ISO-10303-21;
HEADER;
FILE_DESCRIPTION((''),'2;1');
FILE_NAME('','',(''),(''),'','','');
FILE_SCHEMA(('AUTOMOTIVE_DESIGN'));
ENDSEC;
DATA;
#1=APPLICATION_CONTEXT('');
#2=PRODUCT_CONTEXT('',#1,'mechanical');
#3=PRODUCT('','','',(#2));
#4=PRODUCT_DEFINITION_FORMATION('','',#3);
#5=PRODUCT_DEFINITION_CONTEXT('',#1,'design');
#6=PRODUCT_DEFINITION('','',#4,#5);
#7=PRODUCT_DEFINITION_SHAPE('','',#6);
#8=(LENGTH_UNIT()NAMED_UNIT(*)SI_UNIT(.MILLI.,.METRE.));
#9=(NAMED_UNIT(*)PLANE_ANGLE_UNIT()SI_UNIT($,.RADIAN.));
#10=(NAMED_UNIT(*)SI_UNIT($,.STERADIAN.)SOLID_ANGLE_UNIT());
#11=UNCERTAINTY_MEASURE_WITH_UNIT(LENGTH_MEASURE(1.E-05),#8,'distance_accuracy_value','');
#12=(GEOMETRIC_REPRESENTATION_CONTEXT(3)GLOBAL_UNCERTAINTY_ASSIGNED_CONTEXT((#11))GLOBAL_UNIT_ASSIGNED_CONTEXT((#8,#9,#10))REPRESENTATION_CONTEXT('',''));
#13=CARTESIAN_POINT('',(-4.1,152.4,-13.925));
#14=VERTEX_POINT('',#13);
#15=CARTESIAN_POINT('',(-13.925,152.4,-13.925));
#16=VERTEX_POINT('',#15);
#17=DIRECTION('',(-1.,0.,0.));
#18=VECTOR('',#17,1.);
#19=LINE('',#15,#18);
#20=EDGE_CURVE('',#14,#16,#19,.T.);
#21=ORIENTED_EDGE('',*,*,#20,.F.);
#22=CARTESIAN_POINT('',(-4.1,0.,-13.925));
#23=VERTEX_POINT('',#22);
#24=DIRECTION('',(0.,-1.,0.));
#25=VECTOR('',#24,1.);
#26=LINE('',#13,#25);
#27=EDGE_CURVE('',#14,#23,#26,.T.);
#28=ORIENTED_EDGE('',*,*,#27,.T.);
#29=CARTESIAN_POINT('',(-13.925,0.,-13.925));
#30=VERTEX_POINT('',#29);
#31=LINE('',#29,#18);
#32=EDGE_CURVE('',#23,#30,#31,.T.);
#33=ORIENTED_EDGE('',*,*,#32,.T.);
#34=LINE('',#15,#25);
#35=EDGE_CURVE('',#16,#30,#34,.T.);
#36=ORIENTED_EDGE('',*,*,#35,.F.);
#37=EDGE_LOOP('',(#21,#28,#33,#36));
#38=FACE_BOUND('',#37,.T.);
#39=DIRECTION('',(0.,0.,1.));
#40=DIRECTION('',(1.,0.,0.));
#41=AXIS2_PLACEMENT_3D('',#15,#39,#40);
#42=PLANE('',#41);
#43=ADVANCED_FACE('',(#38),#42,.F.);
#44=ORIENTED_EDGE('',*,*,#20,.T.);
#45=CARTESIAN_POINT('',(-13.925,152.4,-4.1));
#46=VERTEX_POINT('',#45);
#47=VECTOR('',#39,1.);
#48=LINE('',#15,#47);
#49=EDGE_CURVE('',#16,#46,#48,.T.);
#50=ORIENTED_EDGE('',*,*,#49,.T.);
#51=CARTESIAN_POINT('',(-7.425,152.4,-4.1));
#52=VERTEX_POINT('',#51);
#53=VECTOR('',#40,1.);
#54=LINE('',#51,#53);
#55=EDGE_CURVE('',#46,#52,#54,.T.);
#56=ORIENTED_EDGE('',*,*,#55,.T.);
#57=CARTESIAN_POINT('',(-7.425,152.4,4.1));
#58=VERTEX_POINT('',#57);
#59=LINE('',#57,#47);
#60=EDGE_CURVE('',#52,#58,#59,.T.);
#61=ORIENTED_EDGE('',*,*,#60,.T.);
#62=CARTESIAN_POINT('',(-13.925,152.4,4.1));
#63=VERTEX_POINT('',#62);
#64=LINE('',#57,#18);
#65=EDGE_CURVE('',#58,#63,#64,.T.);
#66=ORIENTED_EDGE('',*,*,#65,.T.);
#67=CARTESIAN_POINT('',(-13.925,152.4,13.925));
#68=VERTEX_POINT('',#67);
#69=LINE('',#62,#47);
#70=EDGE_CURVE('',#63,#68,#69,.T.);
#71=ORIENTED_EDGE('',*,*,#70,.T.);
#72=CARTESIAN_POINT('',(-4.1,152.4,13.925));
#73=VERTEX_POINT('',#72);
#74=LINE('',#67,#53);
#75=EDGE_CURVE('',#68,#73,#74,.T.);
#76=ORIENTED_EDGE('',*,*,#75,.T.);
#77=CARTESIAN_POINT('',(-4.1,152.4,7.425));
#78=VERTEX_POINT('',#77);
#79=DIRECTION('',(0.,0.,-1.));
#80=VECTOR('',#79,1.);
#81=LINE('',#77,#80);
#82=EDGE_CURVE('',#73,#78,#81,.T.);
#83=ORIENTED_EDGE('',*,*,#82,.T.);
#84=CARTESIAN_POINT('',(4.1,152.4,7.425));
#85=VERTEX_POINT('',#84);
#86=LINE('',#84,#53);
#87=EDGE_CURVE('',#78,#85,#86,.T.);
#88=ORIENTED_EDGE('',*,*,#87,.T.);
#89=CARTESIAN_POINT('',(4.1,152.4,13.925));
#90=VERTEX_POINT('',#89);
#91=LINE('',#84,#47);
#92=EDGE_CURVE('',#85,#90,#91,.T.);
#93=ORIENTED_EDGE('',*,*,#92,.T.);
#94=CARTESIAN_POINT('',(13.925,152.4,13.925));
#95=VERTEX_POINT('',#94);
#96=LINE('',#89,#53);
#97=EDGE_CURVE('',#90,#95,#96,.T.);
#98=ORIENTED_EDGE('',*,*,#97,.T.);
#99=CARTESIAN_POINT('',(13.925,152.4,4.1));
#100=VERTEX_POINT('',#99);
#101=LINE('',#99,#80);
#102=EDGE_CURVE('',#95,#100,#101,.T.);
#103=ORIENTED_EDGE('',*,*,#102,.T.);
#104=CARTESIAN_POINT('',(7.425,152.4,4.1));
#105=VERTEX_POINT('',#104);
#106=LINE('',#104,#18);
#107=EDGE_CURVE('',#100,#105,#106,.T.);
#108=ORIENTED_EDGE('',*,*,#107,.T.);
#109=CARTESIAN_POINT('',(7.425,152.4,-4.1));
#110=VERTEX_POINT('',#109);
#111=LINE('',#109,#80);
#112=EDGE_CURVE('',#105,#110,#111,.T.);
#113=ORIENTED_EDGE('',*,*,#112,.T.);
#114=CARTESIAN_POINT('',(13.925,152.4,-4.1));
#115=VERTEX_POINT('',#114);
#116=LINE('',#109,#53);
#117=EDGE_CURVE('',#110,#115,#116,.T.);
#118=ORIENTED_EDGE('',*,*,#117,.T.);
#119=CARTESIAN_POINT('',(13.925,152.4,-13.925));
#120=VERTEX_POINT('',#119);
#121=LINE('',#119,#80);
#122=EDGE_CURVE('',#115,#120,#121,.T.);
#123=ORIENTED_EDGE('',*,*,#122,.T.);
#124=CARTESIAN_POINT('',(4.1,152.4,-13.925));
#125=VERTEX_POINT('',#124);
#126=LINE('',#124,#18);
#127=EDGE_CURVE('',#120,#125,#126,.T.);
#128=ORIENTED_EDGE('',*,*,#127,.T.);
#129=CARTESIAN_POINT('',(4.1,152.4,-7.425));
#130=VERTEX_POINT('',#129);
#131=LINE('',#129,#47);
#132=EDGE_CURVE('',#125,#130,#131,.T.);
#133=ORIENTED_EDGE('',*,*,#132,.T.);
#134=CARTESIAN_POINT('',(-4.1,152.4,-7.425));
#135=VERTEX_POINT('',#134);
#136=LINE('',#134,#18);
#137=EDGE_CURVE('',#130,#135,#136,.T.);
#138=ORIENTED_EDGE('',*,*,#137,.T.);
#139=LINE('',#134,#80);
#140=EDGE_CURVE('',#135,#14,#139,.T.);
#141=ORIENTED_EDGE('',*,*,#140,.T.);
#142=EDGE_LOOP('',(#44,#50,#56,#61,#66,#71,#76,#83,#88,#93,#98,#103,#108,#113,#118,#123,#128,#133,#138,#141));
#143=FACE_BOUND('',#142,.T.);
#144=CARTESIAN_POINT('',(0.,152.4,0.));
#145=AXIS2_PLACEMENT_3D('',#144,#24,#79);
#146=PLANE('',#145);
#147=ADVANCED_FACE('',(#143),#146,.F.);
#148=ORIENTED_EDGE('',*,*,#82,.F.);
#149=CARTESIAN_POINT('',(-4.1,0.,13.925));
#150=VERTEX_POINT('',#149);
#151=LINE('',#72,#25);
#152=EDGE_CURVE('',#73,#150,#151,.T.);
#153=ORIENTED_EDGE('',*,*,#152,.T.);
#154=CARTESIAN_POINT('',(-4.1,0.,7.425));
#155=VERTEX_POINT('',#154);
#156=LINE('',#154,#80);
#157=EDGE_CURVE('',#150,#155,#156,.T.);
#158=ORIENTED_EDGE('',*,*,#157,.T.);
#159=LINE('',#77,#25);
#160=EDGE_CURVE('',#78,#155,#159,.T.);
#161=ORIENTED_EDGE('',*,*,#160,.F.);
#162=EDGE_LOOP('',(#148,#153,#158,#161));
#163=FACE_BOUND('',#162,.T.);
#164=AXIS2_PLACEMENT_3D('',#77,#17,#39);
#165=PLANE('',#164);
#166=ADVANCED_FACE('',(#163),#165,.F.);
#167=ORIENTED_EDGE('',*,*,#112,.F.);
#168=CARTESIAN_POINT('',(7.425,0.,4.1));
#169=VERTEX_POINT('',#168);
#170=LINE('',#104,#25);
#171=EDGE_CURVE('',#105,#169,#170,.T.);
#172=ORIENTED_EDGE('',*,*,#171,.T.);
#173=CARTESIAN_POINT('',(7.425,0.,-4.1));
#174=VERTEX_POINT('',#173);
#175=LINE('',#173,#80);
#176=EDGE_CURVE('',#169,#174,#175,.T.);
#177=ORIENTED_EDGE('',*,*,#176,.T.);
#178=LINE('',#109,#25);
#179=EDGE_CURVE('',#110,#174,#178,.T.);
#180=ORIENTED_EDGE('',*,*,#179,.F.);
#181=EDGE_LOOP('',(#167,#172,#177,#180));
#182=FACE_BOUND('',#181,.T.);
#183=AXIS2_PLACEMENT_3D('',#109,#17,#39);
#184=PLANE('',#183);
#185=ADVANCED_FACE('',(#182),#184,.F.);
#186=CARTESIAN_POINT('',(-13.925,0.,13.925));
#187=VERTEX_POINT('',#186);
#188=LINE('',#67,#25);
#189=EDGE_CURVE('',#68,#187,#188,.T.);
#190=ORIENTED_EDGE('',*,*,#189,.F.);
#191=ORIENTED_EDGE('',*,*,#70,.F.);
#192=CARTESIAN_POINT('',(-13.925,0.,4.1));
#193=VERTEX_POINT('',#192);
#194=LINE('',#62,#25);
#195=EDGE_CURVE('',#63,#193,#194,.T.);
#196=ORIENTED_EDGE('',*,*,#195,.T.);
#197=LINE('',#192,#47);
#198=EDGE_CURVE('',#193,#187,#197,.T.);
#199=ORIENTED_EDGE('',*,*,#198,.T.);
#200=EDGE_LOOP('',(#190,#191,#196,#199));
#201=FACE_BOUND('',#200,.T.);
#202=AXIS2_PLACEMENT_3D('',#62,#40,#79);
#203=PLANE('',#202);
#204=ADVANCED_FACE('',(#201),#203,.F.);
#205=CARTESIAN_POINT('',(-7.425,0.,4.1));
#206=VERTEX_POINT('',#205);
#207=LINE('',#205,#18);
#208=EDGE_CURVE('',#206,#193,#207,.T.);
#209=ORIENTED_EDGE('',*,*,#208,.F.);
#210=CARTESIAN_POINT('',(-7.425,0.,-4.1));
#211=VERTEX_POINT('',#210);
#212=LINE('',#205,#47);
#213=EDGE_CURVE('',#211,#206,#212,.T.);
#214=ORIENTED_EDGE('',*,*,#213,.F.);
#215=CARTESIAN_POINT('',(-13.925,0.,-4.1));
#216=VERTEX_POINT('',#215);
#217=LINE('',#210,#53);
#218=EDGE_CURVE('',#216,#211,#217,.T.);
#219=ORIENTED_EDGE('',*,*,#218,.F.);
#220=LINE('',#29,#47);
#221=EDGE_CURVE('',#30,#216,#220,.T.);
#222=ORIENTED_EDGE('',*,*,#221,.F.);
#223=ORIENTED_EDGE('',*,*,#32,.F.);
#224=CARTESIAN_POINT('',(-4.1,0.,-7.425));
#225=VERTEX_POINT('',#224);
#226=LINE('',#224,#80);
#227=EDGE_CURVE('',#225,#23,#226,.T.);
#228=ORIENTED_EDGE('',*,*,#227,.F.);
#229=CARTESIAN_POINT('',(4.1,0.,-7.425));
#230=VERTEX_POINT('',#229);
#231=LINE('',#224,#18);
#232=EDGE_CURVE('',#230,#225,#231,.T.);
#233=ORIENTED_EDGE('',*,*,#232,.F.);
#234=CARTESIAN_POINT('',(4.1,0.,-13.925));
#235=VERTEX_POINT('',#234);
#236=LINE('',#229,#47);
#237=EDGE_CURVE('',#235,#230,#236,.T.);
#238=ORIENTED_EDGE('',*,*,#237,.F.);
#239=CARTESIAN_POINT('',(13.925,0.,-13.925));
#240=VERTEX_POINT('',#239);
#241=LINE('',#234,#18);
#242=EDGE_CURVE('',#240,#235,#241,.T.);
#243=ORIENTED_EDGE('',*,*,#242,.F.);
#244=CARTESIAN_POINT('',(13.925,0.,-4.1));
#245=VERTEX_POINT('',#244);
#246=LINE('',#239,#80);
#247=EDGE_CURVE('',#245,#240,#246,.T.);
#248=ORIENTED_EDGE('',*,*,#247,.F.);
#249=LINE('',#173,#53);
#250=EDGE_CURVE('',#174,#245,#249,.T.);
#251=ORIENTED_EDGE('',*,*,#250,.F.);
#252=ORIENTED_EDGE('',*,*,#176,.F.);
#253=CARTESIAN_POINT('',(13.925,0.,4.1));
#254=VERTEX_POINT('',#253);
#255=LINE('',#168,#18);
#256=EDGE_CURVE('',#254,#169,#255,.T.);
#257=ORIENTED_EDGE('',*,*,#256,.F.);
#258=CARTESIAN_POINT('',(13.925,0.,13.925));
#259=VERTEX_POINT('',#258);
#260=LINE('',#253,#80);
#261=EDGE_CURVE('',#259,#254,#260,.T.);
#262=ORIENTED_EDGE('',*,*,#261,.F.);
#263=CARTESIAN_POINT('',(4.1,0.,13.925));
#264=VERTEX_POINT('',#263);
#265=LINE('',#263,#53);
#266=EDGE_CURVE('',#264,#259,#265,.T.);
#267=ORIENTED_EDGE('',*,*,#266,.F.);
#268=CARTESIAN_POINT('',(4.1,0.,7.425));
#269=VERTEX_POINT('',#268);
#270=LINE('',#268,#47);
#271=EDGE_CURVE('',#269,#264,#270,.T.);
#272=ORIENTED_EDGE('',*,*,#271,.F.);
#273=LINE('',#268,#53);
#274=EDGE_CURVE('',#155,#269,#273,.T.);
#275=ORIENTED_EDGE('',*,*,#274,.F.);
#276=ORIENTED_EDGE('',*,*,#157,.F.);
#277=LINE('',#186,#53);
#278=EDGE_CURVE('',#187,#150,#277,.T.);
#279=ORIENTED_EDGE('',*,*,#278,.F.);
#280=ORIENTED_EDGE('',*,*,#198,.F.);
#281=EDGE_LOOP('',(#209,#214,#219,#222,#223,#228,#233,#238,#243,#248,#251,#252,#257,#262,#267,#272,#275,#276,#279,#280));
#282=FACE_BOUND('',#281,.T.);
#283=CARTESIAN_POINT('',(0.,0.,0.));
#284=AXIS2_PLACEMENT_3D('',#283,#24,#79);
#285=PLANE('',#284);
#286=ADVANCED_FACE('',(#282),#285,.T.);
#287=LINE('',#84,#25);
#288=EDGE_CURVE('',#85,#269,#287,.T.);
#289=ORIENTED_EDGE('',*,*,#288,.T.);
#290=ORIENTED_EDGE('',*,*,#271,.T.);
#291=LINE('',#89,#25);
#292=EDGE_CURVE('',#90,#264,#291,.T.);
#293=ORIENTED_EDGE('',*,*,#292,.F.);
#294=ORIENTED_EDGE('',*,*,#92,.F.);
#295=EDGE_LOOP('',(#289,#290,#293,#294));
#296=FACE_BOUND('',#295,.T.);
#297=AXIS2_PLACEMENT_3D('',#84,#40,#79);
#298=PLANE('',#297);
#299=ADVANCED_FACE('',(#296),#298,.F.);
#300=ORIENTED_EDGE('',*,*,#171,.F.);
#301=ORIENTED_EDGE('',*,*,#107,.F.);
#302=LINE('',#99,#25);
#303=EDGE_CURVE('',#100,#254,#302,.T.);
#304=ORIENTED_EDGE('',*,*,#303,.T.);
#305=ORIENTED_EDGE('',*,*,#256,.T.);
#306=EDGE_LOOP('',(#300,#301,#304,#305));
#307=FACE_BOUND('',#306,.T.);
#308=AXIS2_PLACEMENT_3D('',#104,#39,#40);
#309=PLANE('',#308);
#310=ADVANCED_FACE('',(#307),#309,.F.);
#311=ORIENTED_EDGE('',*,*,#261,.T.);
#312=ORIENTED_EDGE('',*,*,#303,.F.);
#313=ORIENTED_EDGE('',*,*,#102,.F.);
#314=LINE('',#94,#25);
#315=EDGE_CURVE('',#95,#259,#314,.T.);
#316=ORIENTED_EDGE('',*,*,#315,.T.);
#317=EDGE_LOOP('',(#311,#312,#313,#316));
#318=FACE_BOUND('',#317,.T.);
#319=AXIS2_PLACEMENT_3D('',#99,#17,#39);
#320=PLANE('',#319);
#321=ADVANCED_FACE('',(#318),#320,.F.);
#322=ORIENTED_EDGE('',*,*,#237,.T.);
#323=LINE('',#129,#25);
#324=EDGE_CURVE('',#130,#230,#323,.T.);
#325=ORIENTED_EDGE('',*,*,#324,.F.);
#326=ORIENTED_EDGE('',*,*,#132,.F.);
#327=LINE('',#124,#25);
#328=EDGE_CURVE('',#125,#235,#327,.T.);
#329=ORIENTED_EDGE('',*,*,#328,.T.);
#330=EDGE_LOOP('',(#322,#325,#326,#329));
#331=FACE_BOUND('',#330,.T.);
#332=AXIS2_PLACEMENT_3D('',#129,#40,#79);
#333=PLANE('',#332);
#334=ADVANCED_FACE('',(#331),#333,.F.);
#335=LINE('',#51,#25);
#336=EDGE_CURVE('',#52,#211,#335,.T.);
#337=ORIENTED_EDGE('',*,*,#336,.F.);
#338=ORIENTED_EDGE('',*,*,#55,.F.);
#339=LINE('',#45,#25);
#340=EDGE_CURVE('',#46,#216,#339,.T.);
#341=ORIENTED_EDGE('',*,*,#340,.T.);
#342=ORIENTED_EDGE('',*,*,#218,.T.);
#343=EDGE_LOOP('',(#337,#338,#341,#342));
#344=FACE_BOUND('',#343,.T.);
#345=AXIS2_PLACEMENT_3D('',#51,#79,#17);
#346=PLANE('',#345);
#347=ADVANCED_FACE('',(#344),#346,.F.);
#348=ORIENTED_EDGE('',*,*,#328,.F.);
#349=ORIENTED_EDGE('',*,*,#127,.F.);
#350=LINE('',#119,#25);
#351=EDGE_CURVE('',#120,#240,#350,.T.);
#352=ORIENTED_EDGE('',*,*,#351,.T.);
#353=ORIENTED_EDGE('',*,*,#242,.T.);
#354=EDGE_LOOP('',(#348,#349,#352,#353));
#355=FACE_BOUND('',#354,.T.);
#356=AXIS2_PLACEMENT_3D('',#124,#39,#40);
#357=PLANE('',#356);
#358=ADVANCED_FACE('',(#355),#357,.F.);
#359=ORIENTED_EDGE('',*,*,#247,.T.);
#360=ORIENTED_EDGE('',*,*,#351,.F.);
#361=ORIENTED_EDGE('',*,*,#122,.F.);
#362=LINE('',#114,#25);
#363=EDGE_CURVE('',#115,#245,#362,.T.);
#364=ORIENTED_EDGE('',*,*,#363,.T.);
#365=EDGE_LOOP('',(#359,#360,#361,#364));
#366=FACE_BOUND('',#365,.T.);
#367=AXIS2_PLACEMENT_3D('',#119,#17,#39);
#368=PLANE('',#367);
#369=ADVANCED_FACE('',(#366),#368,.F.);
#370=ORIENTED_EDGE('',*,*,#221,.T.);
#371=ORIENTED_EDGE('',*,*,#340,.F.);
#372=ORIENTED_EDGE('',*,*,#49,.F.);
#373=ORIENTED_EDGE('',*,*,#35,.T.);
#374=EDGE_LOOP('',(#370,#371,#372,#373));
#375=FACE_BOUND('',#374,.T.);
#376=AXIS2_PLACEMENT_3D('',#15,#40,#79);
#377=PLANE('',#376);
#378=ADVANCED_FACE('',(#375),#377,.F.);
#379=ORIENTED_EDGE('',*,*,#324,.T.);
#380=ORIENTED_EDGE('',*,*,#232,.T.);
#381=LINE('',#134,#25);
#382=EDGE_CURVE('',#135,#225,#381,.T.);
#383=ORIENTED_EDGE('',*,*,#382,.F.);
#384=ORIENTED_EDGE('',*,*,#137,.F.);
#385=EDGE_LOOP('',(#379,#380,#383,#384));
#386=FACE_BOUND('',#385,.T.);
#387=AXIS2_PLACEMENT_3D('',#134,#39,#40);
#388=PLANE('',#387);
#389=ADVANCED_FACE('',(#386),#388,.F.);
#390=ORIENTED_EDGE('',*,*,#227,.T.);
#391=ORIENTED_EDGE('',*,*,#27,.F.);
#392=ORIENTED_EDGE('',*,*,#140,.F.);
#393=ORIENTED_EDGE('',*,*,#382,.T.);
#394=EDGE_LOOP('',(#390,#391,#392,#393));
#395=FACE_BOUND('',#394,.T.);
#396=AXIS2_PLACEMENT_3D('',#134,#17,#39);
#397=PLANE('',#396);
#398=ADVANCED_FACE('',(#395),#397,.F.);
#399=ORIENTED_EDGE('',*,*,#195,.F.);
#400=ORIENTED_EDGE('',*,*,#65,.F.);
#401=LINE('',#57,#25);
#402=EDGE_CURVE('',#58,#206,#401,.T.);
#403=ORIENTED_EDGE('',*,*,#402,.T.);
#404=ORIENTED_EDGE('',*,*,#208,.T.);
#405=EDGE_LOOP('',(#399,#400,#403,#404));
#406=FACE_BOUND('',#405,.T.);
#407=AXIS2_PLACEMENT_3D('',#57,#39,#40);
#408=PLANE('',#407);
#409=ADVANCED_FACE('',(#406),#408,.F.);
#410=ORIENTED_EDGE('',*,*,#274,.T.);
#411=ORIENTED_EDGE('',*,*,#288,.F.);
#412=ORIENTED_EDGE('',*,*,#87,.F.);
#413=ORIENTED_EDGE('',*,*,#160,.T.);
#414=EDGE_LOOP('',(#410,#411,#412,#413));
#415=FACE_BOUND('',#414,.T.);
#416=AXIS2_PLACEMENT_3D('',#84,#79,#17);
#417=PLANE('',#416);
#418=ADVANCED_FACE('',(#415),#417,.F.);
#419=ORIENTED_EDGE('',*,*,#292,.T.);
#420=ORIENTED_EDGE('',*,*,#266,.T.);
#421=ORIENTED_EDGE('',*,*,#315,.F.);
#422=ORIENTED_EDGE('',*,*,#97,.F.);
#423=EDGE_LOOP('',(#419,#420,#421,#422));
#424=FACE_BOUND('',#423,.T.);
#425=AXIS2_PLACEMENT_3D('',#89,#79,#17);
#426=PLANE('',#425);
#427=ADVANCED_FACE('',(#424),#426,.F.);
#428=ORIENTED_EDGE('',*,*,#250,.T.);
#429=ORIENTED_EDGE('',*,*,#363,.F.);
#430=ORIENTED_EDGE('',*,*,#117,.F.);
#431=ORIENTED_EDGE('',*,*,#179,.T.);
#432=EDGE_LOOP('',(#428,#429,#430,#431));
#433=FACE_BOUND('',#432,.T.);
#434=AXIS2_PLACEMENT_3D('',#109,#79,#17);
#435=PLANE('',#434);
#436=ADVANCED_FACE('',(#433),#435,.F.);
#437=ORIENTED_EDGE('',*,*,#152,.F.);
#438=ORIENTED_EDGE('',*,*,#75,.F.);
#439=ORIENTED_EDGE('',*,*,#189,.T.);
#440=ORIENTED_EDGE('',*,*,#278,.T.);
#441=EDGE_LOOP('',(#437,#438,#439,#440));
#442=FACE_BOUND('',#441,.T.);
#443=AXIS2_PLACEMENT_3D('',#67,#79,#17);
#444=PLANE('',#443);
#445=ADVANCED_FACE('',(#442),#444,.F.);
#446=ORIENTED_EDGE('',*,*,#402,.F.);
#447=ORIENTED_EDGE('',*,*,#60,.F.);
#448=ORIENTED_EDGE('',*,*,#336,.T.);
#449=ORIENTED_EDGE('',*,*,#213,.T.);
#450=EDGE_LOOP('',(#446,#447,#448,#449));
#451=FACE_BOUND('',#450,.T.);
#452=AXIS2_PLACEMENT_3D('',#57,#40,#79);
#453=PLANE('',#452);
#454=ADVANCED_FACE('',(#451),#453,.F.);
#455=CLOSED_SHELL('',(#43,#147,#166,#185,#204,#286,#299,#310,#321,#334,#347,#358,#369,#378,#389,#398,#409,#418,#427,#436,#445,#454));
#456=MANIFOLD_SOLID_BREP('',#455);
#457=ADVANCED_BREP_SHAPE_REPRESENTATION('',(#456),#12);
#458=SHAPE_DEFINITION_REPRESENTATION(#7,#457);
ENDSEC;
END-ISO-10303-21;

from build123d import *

# Parameters (mm, degrees)
BOSS_EXTRUDE1_DEPTH = 152.4


with BuildPart() as part:
    # Sketch1 → Boss-Extrude1 (new body)
    with BuildSketch(Plane(origin=(0, 0, 0), x_dir=(1, 0, 0), z_dir=(0, 1, 0))):
        Polygon((7.425, 4.1), (13.925, 4.1), (13.925, 13.925), (4.1, 13.925), (4.1, 7.425), (-4.1, 7.425), (-4.1, 13.925), (-13.925, 13.925), (-13.925, 4.1), (-7.425, 4.1), (-7.425, -4.1), (-13.925, -4.1), (-13.925, -13.925), (-4.1, -13.925), (-4.1, -7.425), (4.1, -7.425), (4.1, -13.925), (13.925, -13.925), (13.925, -4.1), (7.425, -4.1), align=None)
    extrude(amount=BOSS_EXTRUDE1_DEPTH)


solid = part.part
